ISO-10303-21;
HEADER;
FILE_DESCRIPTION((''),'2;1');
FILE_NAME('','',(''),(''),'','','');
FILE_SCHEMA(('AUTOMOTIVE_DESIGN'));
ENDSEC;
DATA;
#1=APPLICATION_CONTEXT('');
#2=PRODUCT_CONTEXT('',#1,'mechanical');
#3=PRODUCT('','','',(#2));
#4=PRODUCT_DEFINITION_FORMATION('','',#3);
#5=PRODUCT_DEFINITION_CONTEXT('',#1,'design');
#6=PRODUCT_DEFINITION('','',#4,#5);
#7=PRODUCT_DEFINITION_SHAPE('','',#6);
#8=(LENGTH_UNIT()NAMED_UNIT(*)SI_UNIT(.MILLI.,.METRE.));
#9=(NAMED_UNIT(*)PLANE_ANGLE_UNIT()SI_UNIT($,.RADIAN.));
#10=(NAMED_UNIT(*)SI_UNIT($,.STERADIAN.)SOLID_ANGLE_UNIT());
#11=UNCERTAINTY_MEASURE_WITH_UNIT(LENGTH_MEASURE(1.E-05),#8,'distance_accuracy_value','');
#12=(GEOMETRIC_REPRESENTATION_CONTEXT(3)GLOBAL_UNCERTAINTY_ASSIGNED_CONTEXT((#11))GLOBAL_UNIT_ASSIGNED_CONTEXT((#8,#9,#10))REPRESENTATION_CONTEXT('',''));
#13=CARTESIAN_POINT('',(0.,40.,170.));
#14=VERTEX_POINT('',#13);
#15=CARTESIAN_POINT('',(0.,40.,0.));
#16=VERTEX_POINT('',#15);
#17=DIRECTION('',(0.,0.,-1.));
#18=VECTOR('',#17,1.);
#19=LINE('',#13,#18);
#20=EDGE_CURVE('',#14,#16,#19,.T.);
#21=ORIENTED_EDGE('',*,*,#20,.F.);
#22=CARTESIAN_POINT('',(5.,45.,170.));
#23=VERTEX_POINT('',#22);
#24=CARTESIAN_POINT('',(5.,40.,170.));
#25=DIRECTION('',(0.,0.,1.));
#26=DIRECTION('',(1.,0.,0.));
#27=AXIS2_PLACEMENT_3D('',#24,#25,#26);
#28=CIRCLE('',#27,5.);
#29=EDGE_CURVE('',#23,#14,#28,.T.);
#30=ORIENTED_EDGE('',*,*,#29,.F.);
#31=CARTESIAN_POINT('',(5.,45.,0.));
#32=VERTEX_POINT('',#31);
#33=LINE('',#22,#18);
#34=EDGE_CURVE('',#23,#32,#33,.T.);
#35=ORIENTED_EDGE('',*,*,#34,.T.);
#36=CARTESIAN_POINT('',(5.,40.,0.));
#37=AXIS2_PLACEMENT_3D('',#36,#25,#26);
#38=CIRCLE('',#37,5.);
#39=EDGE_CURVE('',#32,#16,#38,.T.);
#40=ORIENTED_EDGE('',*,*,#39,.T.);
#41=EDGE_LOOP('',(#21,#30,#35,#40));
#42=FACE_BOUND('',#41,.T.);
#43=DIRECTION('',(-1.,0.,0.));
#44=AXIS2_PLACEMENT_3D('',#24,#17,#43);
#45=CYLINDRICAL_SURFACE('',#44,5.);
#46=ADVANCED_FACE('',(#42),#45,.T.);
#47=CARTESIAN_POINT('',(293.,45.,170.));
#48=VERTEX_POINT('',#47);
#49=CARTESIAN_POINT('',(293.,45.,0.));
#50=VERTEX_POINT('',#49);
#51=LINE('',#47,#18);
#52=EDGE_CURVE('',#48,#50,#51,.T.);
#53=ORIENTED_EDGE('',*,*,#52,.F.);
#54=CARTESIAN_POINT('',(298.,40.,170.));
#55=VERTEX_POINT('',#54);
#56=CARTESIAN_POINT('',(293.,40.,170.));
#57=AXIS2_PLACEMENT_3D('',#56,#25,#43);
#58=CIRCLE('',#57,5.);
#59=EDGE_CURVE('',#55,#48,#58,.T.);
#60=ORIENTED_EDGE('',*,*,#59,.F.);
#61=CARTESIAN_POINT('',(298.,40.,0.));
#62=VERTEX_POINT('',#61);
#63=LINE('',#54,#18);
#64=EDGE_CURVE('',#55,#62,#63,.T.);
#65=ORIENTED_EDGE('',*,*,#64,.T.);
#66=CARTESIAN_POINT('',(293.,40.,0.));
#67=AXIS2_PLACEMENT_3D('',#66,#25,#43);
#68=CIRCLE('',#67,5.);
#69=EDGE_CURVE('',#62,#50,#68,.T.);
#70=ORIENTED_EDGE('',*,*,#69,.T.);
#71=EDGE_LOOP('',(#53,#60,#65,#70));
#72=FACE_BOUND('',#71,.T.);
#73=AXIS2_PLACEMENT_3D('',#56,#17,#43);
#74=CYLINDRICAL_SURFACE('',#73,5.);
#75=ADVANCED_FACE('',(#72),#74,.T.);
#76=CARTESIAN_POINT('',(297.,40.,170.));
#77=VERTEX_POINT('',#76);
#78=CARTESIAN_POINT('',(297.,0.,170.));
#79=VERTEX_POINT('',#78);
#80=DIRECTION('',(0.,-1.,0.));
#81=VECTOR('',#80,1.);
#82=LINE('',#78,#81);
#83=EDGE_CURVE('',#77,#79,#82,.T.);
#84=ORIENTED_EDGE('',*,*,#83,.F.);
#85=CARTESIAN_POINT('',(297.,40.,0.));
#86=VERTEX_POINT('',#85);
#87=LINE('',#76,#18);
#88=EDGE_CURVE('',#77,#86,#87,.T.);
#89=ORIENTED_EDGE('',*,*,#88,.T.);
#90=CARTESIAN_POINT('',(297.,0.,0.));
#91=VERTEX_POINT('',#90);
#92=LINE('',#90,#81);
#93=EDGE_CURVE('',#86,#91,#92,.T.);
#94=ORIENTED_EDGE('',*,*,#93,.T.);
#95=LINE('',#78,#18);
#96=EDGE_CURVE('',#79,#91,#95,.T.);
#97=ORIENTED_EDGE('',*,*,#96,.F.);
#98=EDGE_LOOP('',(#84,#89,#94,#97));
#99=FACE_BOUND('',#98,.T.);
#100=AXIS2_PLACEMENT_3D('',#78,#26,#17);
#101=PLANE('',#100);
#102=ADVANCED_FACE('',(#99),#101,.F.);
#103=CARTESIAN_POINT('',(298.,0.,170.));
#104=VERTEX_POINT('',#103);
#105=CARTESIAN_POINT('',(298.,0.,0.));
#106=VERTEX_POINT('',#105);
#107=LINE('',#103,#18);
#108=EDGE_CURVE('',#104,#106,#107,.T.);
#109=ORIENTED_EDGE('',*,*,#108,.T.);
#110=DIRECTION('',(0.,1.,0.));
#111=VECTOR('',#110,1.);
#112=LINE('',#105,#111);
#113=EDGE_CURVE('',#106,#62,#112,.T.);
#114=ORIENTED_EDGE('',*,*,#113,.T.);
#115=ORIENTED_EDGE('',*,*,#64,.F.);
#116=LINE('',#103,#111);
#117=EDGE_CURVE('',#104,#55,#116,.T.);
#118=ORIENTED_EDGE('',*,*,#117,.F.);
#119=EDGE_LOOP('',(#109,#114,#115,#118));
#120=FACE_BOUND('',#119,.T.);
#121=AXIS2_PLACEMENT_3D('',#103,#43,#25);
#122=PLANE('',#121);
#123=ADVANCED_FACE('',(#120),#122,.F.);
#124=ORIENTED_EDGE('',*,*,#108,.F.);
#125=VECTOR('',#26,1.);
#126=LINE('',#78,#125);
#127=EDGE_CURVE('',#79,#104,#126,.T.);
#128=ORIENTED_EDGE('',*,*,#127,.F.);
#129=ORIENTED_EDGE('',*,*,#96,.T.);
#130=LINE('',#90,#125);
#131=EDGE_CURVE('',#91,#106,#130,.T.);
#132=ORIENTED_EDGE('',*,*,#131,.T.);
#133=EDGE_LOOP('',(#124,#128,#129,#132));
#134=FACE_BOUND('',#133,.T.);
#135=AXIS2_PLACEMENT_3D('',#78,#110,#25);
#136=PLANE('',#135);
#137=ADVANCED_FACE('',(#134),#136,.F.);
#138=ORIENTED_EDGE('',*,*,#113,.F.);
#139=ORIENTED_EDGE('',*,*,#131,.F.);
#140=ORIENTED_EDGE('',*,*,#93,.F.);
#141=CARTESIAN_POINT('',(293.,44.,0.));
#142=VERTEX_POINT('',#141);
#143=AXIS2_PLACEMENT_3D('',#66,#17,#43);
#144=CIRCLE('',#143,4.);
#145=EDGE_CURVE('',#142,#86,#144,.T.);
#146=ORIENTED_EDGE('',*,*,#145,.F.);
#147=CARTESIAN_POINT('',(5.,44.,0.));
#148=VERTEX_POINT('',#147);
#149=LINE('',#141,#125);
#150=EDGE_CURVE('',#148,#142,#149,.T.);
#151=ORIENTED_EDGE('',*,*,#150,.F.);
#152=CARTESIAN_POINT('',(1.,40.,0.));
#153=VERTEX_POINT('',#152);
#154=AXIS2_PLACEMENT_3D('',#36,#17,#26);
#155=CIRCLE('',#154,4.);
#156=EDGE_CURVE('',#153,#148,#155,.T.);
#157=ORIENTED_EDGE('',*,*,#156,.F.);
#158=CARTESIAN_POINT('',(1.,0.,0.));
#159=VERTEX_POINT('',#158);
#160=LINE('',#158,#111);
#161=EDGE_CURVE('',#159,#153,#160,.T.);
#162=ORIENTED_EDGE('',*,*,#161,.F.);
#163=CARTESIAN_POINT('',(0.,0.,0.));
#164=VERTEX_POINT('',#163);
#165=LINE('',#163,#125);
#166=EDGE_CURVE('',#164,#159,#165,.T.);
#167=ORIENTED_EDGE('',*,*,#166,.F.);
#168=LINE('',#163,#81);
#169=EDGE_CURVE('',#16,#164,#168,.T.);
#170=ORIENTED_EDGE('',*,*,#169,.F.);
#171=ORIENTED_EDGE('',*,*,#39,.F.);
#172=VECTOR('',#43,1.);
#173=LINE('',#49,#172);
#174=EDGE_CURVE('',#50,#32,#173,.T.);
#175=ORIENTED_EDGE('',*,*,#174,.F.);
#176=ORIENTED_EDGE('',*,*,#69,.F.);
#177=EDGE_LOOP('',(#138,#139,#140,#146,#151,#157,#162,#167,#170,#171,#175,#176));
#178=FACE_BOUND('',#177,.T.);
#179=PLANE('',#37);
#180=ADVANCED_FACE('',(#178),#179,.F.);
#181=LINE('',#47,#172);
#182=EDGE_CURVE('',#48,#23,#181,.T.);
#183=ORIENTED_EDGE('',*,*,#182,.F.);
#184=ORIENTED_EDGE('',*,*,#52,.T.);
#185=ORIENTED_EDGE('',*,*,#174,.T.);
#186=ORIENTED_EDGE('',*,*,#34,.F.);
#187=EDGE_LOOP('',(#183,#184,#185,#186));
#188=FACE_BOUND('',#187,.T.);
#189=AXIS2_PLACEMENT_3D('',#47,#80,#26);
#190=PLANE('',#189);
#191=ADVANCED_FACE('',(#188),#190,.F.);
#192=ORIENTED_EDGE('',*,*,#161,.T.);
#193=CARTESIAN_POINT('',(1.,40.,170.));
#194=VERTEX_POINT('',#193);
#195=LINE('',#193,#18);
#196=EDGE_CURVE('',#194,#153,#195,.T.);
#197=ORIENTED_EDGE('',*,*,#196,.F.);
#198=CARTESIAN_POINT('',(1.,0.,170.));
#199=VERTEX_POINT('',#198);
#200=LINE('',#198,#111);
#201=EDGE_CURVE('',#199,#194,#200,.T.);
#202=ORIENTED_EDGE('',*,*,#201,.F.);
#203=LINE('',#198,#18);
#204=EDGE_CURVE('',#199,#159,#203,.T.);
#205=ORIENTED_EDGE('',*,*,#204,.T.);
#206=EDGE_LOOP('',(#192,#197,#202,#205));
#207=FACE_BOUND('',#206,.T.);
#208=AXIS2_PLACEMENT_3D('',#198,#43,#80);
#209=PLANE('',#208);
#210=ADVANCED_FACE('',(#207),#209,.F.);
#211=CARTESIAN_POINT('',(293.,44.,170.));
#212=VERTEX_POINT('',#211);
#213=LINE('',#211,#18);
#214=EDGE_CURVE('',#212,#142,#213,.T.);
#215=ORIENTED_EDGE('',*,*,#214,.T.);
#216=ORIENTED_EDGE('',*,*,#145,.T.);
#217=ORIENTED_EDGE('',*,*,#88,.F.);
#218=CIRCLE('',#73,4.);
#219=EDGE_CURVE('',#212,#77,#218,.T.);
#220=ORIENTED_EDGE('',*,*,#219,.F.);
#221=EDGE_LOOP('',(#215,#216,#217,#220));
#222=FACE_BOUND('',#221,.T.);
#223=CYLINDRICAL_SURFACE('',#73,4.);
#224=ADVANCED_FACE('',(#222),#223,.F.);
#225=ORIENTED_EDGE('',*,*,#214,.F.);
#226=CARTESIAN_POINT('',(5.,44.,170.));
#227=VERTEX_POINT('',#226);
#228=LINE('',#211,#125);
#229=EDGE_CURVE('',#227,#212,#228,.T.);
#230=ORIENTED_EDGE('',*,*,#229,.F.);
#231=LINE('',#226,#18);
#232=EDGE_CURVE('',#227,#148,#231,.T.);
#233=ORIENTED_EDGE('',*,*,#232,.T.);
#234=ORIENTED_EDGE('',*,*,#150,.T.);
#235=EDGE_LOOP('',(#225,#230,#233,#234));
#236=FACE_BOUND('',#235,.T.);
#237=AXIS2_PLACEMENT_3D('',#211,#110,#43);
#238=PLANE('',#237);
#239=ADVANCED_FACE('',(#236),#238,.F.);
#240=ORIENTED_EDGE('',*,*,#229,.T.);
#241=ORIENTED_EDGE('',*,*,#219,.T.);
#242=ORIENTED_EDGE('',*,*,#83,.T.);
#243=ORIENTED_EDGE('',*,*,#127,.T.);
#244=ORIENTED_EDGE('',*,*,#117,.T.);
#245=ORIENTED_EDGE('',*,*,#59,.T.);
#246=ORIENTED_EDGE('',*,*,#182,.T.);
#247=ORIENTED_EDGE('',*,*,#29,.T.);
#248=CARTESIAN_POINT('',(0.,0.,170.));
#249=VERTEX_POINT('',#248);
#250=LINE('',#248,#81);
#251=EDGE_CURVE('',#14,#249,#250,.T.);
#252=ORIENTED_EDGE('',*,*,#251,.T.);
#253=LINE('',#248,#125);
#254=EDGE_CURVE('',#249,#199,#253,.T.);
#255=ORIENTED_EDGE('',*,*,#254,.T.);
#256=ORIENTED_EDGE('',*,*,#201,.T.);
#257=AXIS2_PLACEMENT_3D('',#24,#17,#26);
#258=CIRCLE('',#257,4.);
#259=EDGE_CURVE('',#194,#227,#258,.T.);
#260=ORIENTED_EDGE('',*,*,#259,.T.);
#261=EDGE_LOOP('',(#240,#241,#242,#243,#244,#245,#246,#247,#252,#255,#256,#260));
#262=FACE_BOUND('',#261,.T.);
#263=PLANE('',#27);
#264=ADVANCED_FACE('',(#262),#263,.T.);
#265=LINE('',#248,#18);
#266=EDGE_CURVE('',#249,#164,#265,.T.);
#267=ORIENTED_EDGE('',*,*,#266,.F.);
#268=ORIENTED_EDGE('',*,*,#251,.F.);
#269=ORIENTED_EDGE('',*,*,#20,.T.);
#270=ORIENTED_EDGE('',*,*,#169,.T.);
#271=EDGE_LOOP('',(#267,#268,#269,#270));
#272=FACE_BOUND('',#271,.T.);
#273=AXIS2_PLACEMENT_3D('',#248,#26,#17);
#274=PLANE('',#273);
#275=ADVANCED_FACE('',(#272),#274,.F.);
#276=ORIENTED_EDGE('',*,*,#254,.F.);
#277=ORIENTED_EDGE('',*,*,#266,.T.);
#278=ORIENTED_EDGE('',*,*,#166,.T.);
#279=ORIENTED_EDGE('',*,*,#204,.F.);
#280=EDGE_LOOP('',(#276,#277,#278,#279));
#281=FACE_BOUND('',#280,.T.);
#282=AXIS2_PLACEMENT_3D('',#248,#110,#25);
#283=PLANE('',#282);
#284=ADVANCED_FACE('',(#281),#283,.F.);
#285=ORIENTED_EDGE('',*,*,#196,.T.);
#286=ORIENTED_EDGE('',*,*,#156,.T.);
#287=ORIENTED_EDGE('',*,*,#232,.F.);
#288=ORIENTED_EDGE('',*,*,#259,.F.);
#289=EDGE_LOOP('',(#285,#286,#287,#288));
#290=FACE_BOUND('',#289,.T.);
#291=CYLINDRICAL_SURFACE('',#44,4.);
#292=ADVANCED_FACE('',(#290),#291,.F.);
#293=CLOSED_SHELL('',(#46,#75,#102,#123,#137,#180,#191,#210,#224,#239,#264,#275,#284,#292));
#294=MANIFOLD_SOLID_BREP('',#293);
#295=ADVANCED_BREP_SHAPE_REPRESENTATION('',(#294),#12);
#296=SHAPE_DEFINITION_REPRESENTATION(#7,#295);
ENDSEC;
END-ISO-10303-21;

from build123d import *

# Parameters (mm, degrees)
RESSALTO_EXTRUS_O1_DEPTH = 170


with BuildPart() as part:
    # Esboço1 → Ressalto-extrusão1 (new body)
    with BuildSketch(Plane.XY):
        with BuildLine():
            Line((0, 0), (0, 40))
            ThreePointArc((0, 40), (1.464466094, 43.535533906), (5, 45))
            Line((5, 45), (293, 45))
            ThreePointArc((293, 45), (296.535533906, 43.535533906), (298, 40))
            Line((298, 40), (298, 0))
            Line((298, 0), (297, 0))
            Line((297, 0), (297, 40))
            ThreePointArc((297, 40), (295.828427125, 42.828427125), (293, 44))
            Line((293, 44), (5, 44))
            ThreePointArc((5, 44), (2.171572875, 42.828427125), (1, 40))
            Line((1, 40), (1, 0))
            Line((1, 0), (0, 0))
        make_face()
    extrude(amount=RESSALTO_EXTRUS_O1_DEPTH)


solid = part.part
